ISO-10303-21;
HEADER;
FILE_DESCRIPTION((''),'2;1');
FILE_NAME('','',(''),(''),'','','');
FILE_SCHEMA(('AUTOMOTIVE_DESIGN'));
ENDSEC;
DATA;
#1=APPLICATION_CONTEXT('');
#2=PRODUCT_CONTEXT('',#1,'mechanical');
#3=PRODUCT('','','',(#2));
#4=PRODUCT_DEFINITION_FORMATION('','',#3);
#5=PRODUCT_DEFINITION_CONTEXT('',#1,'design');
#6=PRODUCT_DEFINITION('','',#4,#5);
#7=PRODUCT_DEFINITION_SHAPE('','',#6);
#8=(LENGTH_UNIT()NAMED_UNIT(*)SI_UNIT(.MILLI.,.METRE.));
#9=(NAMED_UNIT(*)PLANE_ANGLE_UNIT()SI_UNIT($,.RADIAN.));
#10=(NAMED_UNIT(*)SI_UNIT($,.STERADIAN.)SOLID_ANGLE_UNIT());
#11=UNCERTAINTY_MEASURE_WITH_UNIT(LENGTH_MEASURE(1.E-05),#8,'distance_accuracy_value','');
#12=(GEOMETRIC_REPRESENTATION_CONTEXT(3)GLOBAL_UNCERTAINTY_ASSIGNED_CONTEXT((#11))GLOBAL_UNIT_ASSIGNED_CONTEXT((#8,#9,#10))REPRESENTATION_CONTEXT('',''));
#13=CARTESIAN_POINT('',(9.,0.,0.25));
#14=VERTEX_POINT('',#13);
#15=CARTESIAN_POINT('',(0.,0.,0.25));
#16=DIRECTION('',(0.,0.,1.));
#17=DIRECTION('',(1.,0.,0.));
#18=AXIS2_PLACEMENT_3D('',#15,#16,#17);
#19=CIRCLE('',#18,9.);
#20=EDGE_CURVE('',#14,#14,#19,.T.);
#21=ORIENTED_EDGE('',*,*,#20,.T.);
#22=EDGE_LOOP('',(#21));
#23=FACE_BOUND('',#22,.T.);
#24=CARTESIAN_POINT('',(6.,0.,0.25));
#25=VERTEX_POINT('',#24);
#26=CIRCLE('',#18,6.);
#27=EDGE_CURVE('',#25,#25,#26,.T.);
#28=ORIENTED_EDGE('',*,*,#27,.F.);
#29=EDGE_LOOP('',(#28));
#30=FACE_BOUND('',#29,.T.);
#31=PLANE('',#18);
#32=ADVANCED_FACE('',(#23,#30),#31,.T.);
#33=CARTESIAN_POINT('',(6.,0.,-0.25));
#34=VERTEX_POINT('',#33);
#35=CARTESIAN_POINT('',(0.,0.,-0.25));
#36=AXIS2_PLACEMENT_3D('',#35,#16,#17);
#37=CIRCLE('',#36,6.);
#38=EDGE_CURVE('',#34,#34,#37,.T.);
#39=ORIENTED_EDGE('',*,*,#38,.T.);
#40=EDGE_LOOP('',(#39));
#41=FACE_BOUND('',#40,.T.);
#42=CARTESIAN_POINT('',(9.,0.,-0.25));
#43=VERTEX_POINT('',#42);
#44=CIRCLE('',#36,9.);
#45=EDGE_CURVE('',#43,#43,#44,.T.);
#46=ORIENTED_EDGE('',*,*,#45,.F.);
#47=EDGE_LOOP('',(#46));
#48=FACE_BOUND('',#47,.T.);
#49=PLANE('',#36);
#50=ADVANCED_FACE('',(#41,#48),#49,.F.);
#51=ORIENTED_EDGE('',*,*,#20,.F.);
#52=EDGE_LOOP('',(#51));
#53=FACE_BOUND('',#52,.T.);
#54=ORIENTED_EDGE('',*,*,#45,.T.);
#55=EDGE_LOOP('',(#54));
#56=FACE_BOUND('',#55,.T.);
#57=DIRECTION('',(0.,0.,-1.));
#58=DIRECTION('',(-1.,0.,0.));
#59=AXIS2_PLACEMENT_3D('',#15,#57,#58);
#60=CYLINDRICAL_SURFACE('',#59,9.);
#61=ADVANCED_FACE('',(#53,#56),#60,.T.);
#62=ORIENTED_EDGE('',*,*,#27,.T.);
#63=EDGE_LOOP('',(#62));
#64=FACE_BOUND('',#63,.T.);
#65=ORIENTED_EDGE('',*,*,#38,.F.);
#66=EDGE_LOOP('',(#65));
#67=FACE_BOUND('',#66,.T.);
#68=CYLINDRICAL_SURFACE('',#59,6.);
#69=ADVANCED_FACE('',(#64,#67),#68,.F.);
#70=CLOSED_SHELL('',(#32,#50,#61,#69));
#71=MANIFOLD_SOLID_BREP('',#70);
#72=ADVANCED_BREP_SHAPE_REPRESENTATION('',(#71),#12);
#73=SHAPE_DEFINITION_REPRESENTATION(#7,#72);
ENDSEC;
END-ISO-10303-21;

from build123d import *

# Parameters (mm, degrees)
SKETCH_1_R      = 9
SKETCH_1_R_2    = 6
EXTRUDE_1_DEPTH = 0.25


with BuildPart() as part:
    # 草图1 → 凸台-拉伸1 (new, symmetric)
    with BuildSketch(Plane.XY):
        Circle(SKETCH_1_R)
        Circle(SKETCH_1_R_2, mode=Mode.SUBTRACT)
    extrude(amount=EXTRUDE_1_DEPTH, both=True)


solid = part.part
